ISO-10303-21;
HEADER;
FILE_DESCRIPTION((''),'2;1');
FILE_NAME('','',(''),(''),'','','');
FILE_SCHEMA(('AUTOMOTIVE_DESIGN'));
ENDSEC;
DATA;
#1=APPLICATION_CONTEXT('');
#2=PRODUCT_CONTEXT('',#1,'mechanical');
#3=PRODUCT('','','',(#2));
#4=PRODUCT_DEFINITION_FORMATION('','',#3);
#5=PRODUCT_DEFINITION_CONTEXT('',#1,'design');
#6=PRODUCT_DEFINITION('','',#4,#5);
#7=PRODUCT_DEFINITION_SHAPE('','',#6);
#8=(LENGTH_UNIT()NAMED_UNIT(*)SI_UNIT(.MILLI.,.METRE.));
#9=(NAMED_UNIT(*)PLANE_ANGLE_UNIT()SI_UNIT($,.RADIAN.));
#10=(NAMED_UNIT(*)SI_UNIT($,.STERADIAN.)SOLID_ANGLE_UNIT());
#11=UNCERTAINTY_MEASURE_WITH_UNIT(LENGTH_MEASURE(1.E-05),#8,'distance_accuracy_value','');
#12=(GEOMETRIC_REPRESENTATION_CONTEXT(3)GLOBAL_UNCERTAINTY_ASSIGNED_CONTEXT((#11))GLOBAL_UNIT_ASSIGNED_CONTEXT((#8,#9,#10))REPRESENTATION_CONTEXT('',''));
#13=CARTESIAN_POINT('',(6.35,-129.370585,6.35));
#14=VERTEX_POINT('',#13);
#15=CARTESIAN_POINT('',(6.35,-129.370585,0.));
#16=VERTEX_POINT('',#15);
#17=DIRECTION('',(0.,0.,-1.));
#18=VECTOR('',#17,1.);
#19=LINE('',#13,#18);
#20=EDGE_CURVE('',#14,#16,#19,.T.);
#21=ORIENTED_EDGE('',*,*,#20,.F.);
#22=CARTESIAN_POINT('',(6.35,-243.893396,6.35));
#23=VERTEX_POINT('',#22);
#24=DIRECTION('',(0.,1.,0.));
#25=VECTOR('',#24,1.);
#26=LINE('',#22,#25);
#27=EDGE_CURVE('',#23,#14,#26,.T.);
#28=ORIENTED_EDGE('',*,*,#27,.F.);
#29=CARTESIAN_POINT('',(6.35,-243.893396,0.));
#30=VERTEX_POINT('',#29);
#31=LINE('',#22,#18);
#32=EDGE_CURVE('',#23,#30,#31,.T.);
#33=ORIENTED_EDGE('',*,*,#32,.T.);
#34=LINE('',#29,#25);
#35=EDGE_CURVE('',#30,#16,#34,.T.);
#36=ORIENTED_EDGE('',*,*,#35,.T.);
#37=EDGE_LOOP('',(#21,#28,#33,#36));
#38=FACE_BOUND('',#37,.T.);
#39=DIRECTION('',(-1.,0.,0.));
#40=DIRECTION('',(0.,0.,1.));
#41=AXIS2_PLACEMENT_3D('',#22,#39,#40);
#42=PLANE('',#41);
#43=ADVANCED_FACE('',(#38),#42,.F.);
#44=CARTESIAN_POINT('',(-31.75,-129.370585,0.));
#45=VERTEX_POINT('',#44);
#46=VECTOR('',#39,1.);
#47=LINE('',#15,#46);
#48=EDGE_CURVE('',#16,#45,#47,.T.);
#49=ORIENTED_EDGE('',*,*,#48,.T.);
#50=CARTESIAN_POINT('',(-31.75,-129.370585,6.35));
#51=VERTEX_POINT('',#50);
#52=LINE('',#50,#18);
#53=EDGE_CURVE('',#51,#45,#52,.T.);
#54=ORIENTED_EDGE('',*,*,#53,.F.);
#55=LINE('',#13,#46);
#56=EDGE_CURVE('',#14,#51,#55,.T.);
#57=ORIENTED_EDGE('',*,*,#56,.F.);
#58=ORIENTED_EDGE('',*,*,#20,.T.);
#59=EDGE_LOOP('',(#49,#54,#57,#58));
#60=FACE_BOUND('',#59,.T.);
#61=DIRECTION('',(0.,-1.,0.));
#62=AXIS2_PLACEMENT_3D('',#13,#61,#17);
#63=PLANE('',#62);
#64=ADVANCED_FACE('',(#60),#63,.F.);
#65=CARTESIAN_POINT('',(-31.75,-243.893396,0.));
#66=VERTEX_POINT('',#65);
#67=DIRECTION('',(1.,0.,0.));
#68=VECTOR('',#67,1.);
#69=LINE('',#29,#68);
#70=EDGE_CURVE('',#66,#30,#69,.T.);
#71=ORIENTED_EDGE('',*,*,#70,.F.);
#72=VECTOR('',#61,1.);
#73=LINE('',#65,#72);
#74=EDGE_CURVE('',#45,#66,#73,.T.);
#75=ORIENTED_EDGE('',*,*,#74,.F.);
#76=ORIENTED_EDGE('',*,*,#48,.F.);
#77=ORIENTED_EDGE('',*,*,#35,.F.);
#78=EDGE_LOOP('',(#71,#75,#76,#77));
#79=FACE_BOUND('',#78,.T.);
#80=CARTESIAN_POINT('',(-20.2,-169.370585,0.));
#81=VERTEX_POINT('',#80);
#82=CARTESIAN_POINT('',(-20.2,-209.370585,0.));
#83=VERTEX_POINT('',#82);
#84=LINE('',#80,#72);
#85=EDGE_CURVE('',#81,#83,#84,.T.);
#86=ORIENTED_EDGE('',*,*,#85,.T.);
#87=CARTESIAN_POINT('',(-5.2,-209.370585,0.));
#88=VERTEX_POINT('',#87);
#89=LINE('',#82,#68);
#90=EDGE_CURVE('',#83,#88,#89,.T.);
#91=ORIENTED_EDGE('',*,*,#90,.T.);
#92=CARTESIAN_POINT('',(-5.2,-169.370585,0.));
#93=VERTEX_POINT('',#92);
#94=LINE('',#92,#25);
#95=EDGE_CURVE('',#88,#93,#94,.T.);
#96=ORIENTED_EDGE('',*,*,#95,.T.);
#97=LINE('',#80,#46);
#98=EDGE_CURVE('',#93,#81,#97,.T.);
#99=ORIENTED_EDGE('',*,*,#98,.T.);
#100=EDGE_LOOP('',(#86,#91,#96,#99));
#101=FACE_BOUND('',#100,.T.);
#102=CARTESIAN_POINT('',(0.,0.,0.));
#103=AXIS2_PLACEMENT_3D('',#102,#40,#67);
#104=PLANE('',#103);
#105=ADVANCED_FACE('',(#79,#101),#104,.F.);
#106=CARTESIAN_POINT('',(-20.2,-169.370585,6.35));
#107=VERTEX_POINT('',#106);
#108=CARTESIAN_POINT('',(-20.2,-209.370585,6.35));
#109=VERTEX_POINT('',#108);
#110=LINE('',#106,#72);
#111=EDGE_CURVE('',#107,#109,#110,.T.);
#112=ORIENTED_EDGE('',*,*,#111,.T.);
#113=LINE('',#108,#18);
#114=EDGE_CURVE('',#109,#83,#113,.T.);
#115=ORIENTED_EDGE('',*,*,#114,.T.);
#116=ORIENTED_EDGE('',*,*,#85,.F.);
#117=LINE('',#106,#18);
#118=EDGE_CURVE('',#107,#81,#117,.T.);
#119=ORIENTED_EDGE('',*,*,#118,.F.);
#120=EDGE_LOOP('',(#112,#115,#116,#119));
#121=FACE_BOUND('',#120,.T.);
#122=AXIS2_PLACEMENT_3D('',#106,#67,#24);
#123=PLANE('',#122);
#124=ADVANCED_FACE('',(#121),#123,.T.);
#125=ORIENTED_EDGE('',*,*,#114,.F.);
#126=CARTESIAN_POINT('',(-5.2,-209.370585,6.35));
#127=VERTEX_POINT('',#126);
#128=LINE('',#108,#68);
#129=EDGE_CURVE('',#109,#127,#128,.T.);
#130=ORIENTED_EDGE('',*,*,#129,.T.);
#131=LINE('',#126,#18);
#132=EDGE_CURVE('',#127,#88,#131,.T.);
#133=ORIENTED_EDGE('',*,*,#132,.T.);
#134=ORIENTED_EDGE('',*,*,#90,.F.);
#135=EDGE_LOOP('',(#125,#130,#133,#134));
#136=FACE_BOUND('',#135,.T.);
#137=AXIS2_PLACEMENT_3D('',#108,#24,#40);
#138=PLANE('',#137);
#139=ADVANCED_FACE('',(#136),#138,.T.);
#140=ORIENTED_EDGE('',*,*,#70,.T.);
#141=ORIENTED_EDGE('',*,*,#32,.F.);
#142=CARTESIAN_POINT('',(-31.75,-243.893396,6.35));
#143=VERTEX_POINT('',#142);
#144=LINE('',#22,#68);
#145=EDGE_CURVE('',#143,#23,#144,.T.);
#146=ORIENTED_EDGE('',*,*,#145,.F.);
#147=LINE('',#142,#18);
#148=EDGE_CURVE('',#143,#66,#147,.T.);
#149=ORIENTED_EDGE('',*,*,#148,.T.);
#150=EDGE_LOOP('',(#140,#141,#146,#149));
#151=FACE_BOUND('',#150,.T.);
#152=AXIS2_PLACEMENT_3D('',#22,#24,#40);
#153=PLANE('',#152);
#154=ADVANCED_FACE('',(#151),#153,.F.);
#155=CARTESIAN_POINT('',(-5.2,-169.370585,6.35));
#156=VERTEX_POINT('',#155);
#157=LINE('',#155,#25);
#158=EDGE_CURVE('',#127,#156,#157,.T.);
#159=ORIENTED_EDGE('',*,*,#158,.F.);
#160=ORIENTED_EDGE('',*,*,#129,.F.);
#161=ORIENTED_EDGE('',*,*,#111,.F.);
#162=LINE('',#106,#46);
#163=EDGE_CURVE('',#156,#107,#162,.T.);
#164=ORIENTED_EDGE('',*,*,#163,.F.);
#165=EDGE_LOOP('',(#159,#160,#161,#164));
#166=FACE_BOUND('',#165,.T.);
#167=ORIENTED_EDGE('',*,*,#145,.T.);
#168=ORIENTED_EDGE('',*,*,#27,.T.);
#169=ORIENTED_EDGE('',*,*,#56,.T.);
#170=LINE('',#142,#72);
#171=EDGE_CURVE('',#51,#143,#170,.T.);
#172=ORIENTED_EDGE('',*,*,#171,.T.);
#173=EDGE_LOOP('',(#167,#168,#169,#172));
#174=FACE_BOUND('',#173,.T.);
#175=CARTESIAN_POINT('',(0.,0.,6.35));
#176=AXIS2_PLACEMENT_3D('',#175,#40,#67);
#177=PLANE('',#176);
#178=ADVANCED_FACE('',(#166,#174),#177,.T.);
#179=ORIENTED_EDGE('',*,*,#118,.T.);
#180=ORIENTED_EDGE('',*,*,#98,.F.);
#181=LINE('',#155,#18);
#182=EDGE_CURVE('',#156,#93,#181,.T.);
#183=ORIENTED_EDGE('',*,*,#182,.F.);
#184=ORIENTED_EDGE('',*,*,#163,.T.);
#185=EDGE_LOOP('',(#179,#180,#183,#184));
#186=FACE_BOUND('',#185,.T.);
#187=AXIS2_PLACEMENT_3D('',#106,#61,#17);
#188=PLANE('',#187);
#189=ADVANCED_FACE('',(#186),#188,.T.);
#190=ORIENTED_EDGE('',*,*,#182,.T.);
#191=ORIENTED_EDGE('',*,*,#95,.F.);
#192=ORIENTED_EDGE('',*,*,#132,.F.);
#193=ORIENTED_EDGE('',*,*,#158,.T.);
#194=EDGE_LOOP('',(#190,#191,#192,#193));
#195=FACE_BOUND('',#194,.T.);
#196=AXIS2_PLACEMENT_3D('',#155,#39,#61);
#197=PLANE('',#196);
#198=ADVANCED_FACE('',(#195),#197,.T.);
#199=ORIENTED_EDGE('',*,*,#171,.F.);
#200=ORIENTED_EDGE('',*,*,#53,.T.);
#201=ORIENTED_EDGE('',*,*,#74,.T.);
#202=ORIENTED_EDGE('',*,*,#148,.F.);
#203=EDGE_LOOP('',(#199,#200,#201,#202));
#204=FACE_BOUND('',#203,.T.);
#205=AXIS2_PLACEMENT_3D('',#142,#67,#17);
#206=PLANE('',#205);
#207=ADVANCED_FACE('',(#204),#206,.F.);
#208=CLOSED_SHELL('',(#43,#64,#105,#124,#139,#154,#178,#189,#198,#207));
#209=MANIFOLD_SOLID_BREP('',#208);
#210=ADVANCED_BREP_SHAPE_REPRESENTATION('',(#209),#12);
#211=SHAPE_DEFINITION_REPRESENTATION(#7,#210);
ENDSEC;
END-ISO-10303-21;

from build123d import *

# Parameters (mm, degrees)
SKETCH1_W           = 38.1
SKETCH1_H           = 114.522810711
SKETCH1_W_2         = 15
SKETCH1_H_2         = 40
BOSS_EXTRUDE1_DEPTH = 6.35


with BuildPart() as part:
    # Sketch1 → Boss-Extrude1 (new body)
    with BuildSketch(Plane.XY):
        with Locations((-12.7, -186.631990495)):
            Rectangle(SKETCH1_W, SKETCH1_H)
        with Locations((-12.7, -189.370585139)):
            Rectangle(SKETCH1_W_2, SKETCH1_H_2, mode=Mode.SUBTRACT)
    extrude(amount=BOSS_EXTRUDE1_DEPTH)


solid = part.part
